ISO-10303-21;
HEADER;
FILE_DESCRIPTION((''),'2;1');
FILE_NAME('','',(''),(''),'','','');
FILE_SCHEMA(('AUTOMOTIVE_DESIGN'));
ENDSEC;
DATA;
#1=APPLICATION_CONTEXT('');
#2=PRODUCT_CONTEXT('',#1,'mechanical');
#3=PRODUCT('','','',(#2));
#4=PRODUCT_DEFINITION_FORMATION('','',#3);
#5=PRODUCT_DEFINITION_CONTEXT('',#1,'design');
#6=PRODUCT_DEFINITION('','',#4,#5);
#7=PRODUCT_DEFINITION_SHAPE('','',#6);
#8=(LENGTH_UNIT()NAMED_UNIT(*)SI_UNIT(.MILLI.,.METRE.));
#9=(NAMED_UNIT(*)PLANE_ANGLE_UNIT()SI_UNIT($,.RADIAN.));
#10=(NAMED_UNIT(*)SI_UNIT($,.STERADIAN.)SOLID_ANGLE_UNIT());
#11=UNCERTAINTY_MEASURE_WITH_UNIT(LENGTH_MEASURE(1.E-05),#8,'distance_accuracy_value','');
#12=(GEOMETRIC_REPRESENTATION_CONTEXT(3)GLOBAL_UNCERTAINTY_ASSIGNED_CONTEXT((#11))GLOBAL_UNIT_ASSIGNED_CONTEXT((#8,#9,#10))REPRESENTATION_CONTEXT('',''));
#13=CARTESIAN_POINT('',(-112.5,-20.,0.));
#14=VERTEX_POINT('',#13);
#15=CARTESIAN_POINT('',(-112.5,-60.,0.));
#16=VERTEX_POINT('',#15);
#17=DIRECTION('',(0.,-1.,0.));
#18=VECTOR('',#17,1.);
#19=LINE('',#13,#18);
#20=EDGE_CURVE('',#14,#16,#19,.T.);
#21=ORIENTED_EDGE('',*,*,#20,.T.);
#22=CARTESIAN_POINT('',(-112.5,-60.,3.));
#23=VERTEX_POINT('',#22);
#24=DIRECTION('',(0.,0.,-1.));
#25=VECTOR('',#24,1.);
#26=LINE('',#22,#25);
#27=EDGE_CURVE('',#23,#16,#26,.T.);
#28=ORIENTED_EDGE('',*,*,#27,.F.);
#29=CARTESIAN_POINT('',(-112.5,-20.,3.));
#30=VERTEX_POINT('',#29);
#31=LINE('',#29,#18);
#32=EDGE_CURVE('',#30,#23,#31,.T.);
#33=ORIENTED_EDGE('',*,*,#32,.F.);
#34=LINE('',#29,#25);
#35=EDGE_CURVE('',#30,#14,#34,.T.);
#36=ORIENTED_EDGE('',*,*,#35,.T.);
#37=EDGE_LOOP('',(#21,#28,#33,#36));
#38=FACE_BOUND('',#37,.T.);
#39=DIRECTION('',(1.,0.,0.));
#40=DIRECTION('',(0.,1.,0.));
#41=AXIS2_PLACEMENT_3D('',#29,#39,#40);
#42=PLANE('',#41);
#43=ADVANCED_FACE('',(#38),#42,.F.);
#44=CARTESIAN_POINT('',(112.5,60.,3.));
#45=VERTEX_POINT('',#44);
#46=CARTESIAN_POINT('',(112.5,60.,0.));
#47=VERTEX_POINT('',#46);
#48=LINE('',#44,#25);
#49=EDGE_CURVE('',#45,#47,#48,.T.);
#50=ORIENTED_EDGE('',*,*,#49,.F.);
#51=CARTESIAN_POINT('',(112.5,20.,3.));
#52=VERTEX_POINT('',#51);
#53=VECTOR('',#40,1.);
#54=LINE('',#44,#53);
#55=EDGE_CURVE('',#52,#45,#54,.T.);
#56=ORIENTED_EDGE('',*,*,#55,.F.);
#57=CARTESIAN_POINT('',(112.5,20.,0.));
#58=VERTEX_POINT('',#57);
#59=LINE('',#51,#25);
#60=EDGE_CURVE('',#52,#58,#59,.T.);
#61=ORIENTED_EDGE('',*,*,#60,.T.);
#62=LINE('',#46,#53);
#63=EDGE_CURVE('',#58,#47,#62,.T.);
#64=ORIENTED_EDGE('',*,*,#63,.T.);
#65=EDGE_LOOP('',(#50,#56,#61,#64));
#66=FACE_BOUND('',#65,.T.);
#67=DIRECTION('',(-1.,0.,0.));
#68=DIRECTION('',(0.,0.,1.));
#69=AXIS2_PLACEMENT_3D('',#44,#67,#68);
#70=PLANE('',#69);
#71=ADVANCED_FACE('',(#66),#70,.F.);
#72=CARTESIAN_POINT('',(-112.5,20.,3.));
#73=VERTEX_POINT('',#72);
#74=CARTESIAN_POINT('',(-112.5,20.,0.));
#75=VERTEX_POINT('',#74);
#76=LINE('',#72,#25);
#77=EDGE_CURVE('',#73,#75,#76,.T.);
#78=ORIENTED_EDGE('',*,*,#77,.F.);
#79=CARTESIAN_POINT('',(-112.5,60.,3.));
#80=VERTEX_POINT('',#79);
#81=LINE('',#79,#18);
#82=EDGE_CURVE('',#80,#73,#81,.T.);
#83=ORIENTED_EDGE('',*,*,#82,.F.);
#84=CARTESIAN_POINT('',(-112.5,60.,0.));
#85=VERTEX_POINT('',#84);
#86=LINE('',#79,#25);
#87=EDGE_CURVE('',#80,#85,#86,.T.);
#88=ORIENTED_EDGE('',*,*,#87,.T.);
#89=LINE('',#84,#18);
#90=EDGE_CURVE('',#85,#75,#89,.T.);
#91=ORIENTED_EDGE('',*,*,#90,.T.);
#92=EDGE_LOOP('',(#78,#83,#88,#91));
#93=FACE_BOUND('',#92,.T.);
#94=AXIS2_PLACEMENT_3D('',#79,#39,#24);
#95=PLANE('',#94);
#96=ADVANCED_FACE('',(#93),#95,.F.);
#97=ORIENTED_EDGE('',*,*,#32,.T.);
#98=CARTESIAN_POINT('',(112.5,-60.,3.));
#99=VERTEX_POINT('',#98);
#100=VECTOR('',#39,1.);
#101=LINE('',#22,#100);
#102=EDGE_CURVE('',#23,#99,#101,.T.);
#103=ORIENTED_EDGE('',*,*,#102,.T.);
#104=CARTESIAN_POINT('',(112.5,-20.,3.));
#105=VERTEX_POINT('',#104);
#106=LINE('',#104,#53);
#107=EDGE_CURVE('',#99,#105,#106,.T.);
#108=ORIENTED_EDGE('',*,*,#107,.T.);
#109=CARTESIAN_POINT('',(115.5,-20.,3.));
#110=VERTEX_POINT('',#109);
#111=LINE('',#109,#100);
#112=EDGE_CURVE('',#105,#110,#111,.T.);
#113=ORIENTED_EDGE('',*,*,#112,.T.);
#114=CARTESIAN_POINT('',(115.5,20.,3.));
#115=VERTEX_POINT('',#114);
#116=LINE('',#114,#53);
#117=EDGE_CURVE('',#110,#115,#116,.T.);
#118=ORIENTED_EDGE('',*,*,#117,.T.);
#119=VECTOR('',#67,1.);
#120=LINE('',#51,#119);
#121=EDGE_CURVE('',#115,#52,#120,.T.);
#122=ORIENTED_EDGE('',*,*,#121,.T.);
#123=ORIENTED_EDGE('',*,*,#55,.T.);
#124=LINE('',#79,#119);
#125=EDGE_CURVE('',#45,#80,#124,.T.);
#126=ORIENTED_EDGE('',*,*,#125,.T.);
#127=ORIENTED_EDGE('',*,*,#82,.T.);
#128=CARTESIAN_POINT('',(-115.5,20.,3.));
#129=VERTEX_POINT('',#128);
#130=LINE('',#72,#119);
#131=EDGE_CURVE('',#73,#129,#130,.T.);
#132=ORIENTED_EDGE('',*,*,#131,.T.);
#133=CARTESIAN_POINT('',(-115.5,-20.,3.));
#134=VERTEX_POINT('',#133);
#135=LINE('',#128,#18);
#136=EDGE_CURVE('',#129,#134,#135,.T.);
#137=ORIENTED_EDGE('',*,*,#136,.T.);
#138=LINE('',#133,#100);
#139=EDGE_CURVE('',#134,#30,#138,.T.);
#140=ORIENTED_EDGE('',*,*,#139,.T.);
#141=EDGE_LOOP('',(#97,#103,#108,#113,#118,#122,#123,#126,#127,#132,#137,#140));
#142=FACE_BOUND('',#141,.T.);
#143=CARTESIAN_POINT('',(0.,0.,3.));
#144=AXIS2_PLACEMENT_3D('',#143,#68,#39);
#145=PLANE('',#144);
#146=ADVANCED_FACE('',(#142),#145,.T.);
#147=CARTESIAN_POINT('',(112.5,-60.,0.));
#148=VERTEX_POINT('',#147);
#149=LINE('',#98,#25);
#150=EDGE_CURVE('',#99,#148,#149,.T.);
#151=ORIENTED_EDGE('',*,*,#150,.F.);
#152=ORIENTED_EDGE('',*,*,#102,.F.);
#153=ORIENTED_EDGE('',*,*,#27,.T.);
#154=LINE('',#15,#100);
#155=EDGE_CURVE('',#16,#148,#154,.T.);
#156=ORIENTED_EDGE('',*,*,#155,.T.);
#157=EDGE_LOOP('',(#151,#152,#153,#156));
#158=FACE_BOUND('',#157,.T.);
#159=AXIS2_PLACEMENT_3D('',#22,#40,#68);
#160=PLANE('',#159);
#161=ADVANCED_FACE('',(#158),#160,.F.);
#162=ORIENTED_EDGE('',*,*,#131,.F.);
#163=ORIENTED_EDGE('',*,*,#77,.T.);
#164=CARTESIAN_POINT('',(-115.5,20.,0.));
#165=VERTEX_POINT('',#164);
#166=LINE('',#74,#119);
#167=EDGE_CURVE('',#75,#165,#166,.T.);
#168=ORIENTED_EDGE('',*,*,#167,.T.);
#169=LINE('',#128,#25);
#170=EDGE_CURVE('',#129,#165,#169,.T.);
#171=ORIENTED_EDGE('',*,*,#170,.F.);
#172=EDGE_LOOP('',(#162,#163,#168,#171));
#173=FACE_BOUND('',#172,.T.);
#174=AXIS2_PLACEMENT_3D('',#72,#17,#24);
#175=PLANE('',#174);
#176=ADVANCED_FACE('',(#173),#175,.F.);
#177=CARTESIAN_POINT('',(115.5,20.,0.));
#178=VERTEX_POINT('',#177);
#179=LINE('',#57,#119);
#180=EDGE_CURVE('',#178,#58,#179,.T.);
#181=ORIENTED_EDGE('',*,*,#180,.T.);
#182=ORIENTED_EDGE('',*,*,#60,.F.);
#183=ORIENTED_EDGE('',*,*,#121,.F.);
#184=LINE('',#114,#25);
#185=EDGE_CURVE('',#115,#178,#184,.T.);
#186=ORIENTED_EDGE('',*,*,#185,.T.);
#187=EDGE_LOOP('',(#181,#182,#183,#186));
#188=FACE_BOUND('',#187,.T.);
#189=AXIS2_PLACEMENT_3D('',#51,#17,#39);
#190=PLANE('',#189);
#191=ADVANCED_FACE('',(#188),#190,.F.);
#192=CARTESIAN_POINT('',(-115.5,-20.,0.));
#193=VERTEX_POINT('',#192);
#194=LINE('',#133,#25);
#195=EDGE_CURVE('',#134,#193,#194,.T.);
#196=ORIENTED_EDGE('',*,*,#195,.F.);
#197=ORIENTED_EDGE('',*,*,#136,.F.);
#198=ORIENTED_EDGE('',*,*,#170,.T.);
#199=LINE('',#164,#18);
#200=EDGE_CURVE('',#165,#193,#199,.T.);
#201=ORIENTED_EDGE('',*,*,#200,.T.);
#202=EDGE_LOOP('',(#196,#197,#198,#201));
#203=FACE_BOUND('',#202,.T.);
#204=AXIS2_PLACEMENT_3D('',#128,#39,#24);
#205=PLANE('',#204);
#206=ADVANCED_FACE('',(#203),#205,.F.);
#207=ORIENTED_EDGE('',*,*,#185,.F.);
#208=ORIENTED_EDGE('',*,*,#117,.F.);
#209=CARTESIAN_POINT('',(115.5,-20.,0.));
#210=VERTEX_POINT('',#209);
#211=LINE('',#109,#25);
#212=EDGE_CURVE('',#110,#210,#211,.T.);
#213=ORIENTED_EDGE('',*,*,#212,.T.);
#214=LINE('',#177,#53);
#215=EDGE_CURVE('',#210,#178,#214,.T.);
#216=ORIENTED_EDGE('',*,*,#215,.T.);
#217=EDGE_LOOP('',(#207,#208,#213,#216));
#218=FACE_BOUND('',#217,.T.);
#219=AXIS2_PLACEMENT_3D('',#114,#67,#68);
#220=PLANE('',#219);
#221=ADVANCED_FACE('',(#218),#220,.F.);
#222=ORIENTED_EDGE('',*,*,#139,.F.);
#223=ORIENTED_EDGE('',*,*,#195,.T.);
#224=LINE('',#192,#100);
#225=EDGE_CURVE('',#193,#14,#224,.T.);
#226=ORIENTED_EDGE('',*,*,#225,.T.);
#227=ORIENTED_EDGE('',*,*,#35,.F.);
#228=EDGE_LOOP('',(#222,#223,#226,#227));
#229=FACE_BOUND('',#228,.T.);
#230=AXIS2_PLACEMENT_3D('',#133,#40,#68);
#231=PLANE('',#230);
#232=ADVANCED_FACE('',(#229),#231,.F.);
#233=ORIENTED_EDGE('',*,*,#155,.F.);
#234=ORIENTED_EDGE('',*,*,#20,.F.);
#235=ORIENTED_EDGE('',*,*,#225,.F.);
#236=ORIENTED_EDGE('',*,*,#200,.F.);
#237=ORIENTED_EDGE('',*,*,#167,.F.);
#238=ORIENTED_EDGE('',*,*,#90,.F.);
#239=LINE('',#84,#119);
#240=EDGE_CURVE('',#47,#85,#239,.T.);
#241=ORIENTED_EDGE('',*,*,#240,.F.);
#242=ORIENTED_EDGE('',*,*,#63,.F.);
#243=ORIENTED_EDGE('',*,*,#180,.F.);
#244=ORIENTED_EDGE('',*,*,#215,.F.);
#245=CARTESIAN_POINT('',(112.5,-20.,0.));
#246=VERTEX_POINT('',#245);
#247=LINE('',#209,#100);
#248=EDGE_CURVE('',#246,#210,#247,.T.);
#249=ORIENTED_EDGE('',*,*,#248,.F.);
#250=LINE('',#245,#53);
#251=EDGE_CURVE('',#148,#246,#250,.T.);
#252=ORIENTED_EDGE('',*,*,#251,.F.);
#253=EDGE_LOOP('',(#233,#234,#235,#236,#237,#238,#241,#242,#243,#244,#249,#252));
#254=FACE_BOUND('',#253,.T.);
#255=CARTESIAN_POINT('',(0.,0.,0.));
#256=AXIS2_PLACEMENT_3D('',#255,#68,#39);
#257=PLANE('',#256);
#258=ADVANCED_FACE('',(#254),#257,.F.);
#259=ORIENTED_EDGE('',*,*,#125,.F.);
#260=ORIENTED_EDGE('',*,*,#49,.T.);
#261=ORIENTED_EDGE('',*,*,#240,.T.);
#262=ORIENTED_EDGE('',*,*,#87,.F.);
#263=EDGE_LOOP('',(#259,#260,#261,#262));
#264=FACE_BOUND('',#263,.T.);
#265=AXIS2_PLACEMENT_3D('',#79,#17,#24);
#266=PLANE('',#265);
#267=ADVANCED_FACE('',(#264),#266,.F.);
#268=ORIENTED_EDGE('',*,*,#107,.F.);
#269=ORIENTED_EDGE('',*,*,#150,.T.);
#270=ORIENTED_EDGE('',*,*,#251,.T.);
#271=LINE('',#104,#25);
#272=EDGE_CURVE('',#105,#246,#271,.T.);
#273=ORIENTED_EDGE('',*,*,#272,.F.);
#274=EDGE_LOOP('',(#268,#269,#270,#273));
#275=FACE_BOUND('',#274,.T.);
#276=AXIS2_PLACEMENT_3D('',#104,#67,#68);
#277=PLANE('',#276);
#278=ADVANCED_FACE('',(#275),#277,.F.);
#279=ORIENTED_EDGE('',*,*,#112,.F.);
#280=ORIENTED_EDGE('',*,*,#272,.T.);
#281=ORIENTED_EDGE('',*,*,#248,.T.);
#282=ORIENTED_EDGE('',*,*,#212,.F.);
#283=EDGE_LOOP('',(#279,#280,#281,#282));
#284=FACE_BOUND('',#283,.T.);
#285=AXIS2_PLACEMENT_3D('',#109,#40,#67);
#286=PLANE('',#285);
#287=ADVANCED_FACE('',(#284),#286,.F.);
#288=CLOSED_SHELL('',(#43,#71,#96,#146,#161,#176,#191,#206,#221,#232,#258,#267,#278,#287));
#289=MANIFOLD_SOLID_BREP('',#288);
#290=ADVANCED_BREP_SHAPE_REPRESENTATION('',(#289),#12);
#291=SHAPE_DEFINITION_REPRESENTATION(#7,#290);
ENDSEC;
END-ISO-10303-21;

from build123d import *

# Parameters (mm, degrees)
BOSS_EXTRUDE1_DEPTH = 3


with BuildPart() as part:
    # Sketch1 → Boss-Extrude1 (new body)
    with BuildSketch(Plane.XY):
        Polygon((-112.5, 20), (-115.5, 20), (-115.5, -20), (-112.5, -20), (-112.5, -60), (112.5, -60), (112.5, -20), (115.5, -20), (115.5, 20), (112.5, 20), (112.5, 60), (-112.5, 60), align=None)
    extrude(amount=BOSS_EXTRUDE1_DEPTH)


solid = part.part
